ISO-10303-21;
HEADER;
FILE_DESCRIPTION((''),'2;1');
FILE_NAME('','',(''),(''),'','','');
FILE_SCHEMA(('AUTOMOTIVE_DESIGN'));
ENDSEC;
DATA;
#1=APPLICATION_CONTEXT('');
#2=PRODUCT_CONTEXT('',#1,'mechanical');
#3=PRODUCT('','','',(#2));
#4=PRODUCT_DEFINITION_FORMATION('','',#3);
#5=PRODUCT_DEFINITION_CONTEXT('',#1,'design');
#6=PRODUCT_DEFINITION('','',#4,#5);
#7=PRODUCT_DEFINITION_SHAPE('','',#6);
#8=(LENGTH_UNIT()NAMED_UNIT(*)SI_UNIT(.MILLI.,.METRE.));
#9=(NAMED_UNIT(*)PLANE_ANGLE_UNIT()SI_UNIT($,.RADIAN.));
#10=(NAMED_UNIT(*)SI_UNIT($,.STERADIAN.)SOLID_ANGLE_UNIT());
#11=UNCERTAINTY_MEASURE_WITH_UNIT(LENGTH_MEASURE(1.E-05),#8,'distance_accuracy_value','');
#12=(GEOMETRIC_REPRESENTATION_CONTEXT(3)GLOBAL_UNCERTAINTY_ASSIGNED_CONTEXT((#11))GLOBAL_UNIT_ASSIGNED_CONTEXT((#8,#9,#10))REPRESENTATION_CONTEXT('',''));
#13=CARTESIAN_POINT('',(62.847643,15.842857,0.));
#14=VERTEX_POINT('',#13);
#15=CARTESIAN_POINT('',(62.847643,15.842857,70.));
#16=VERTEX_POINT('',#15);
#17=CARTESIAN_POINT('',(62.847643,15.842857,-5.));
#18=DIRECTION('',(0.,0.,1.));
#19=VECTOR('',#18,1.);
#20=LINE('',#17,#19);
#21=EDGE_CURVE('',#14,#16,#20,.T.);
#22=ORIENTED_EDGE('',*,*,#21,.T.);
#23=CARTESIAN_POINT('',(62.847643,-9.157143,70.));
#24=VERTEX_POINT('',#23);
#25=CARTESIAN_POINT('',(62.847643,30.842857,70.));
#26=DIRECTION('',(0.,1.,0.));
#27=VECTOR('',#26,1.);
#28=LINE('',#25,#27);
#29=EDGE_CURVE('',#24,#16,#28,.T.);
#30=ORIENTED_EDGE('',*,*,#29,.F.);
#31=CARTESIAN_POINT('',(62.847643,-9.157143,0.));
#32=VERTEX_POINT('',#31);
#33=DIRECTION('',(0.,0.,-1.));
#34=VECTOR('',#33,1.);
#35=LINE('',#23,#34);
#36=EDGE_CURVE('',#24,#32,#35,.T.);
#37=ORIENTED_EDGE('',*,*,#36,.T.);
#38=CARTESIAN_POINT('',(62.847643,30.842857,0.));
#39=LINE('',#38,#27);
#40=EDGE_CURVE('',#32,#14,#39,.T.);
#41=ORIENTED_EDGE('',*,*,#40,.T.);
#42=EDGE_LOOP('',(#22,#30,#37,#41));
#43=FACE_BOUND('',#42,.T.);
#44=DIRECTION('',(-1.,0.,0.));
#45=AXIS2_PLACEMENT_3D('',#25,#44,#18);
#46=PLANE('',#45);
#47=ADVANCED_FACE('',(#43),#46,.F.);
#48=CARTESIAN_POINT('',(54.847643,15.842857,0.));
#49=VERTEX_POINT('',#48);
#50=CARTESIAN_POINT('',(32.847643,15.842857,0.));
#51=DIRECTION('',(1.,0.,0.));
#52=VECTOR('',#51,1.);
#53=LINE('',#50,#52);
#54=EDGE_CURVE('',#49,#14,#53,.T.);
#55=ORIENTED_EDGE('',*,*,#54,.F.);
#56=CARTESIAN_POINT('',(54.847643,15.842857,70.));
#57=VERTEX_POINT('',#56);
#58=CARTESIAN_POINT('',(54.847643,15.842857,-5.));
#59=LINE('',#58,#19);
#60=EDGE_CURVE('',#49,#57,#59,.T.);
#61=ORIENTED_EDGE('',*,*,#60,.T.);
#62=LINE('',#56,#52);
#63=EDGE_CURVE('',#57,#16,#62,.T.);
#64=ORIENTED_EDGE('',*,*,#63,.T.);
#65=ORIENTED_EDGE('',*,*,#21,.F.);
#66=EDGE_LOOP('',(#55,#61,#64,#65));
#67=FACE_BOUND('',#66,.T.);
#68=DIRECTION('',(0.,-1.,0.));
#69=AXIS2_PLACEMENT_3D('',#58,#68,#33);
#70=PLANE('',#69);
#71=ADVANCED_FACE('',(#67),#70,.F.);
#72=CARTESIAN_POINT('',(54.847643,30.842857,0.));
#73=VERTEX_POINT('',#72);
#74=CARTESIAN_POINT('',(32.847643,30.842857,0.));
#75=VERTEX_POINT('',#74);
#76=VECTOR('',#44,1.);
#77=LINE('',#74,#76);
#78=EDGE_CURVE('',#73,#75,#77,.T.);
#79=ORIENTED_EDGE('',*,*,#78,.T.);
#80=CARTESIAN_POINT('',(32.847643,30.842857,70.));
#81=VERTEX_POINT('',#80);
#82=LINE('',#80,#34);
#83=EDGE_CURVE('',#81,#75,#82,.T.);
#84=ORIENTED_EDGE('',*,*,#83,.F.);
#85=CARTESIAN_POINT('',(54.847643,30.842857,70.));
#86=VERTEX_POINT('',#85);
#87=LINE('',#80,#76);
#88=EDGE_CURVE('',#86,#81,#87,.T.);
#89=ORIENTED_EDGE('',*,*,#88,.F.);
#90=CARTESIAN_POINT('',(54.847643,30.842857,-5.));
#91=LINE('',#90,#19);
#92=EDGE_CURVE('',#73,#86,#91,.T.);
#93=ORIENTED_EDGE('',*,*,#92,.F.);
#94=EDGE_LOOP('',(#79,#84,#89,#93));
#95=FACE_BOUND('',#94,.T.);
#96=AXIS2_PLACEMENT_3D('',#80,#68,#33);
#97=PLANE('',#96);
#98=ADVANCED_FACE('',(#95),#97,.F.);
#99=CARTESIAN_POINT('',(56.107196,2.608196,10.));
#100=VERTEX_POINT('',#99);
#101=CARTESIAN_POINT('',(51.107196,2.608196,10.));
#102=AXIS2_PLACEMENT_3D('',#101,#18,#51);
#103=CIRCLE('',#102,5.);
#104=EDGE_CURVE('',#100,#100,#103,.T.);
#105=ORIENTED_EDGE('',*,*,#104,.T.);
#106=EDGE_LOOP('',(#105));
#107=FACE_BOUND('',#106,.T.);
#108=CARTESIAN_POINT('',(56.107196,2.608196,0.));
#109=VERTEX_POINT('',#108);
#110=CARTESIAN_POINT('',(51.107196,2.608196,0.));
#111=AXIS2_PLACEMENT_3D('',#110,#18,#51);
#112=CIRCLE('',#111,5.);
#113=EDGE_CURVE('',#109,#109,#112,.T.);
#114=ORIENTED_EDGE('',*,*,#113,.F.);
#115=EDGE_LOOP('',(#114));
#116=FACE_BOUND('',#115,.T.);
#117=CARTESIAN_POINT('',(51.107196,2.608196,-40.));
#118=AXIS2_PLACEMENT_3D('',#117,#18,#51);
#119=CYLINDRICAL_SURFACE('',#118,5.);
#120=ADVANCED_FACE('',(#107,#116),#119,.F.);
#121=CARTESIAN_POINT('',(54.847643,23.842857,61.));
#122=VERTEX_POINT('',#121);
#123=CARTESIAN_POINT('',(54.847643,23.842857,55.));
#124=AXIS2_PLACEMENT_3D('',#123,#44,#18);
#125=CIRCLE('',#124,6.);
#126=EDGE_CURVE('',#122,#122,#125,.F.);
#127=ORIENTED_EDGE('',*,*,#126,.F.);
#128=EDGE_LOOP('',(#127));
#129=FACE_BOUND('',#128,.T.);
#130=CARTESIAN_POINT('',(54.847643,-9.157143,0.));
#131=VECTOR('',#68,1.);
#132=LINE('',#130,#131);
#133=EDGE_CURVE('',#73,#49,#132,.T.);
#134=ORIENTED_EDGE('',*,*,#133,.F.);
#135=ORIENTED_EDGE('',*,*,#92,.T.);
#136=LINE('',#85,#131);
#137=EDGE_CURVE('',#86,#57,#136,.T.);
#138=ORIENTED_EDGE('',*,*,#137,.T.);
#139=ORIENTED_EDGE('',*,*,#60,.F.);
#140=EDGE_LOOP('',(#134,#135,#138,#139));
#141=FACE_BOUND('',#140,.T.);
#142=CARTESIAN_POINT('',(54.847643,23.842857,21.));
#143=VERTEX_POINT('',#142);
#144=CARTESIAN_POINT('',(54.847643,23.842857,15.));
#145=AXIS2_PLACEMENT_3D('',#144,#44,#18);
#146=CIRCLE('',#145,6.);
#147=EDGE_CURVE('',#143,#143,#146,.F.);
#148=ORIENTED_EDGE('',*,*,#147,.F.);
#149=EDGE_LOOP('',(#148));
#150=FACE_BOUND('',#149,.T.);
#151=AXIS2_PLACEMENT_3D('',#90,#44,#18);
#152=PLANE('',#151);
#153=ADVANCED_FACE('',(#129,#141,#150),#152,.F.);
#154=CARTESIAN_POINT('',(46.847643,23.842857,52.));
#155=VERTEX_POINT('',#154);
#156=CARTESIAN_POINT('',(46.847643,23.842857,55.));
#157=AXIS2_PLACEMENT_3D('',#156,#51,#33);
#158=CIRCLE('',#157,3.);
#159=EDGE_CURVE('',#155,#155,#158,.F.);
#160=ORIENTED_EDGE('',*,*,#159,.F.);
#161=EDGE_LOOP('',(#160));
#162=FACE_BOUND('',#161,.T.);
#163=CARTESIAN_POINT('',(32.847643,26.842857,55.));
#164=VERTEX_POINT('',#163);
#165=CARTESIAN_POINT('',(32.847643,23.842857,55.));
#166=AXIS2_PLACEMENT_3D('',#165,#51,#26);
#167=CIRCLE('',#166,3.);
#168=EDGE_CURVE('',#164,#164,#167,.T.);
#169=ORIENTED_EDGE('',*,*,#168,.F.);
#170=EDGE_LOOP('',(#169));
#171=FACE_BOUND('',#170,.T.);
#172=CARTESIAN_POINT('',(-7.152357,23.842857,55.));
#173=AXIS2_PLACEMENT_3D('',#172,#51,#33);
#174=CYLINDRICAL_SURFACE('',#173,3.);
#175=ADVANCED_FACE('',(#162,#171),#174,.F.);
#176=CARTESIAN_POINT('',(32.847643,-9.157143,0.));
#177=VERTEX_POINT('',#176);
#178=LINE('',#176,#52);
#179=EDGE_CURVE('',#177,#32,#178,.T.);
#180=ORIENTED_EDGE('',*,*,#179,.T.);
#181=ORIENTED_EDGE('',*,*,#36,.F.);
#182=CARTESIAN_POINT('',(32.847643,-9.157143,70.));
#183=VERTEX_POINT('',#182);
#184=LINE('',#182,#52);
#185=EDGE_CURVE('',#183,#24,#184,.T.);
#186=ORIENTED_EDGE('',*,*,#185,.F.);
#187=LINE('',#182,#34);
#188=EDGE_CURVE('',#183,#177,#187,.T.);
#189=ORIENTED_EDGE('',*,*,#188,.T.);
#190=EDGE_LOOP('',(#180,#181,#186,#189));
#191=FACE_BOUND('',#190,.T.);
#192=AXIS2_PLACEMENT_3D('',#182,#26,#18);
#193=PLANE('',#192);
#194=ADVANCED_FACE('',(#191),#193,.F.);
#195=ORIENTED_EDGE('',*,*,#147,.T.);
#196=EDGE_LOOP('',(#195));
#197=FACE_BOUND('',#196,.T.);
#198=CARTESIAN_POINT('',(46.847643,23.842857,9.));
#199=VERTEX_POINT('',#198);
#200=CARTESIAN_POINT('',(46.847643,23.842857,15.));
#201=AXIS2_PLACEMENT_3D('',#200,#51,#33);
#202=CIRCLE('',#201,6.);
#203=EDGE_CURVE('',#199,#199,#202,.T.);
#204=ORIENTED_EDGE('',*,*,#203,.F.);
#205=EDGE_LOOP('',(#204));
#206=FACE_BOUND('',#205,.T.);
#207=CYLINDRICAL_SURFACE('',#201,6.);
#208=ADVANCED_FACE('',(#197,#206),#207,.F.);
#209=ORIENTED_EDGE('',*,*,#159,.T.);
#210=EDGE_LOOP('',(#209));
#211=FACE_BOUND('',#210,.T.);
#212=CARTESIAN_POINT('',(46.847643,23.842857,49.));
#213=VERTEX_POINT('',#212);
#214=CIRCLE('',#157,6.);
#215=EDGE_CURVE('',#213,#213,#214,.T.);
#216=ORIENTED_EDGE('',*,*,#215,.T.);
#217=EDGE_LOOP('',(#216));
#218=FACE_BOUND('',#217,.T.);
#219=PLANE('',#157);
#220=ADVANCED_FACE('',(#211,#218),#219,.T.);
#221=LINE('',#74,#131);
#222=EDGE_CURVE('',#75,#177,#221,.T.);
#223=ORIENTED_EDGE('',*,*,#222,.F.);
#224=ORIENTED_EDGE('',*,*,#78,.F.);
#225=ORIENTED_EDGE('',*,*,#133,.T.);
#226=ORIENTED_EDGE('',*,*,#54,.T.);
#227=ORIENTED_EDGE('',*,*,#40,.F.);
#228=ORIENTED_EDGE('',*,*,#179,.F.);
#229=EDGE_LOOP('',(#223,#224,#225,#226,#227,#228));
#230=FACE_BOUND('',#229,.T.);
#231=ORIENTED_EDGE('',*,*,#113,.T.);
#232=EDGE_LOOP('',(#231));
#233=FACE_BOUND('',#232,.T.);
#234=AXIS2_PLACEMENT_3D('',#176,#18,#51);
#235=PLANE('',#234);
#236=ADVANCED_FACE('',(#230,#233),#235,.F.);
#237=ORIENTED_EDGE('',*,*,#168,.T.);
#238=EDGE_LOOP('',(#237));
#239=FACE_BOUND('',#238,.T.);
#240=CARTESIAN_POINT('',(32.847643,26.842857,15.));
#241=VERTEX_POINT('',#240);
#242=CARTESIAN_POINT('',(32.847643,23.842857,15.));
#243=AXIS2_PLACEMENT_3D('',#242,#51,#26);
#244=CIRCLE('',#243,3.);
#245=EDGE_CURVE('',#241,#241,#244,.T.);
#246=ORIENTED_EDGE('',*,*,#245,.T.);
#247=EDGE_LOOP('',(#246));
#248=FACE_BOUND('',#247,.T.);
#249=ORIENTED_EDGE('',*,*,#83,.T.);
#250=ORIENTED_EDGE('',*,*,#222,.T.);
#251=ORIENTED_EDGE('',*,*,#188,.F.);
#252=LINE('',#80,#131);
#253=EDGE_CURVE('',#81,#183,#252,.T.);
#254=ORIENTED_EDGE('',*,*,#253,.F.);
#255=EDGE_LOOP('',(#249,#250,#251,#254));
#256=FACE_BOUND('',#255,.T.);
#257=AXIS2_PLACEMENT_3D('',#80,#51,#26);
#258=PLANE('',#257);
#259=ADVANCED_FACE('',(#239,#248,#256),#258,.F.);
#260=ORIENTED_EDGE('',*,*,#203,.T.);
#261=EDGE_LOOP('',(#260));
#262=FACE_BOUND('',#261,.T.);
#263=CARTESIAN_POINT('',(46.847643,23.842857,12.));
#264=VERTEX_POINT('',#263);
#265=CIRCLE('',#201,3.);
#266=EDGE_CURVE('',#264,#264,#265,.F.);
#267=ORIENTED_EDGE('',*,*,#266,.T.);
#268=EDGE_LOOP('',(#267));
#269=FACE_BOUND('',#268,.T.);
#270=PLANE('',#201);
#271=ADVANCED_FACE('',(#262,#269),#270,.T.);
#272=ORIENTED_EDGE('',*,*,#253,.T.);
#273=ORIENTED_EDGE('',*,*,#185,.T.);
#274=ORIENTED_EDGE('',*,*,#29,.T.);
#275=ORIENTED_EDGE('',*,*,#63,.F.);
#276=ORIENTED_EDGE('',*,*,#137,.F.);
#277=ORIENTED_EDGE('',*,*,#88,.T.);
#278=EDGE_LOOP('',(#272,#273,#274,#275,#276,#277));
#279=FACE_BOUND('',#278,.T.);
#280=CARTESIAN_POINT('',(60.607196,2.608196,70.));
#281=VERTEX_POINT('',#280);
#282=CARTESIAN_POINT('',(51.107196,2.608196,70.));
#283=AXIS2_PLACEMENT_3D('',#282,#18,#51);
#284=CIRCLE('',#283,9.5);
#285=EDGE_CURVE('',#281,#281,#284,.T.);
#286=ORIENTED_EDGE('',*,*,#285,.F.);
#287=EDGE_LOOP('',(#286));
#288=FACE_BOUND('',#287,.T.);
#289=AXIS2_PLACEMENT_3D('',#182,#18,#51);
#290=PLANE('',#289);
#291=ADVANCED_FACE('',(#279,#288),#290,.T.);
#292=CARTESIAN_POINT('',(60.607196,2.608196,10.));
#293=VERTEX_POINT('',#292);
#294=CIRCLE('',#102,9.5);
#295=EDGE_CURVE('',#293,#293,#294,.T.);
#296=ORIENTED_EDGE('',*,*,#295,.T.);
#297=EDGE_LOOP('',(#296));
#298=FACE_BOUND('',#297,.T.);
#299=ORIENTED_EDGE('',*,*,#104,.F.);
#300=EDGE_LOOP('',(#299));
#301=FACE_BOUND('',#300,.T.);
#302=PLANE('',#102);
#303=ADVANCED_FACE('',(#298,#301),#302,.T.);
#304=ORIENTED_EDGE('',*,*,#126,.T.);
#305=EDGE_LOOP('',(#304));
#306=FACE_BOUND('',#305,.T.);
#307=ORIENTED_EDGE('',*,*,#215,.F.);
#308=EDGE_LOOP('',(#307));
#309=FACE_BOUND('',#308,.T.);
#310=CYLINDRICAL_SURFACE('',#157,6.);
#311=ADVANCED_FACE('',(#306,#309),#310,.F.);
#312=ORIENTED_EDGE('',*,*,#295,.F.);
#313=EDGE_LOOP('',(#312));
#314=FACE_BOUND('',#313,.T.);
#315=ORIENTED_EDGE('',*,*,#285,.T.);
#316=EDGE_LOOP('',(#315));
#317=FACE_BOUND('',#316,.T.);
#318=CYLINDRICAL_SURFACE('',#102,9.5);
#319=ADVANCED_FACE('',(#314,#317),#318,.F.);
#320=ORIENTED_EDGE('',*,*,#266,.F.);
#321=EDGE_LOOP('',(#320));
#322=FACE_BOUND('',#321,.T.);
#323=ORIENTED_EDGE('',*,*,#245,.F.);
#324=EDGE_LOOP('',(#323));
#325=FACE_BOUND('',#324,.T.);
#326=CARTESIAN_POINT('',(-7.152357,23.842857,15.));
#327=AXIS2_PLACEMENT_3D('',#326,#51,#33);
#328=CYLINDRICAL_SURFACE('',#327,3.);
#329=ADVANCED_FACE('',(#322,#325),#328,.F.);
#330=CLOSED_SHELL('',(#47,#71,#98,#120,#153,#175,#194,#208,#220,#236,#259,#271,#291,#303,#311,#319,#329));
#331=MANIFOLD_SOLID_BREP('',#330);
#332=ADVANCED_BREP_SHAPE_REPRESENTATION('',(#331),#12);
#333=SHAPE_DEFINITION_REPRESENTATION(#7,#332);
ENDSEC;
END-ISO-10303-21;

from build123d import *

# Parameters (mm, degrees)
SKETCH_1_W          = 30
SKETCH_1_H          = 40
EXTRUDE_1_DEPTH     = 70
SKETCH_3_R          = 3
CUT_EXTRUDE_1_DEPTH = 70
SKETCH_4_R          = 6
CUT_EXTRUDE_2_DEPTH = 16
SKETCH_5_W          = 8
SKETCH_5_H          = 15
CUT_EXTRUDE_3_DEPTH = 75
SKETCH_2_R          = 9.5
CUT_EXTRUDE_4_DEPTH = 60
SKETCH_6_R          = 5
CUT_EXTRUDE_5_DEPTH = 50


with BuildPart() as part:
    # 草图1 → 凸台-拉伸1 (new body)
    with BuildSketch(Plane.XY):
        with Locations((47.847642857, 10.842857143)):
            Rectangle(SKETCH_1_W, SKETCH_1_H)
    extrude(amount=EXTRUDE_1_DEPTH)

    # 草图3 → 切除-拉伸1 (cut)
    with BuildSketch(Plane(origin=(62.847642857, 0, 0), x_dir=(0, 0, -1), z_dir=(1, 0, 0))):
        with Locations((-55, 23.842857143)):
            Circle(SKETCH_3_R)
        with Locations((-15, 23.842857143)):
            Circle(SKETCH_3_R)
    extrude(amount=-CUT_EXTRUDE_1_DEPTH, mode=Mode.SUBTRACT)

    # 草图4 → 切除-拉伸2 (cut)
    with BuildSketch(Plane(origin=(62.847642857, 0, 0), x_dir=(0, 0, -1), z_dir=(1, 0, 0))):
        with Locations((-55, 23.842857143)):
            Circle(SKETCH_4_R)
        with Locations((-15, 23.842857143)):
            Circle(SKETCH_4_R)
    extrude(amount=-CUT_EXTRUDE_2_DEPTH, mode=Mode.SUBTRACT)

    # 草图5 → 切除-拉伸3 (cut)
    with BuildSketch(Plane.XY.offset(70)):
        with Locations((58.847642857, 23.342857143)):
            Rectangle(SKETCH_5_W, SKETCH_5_H)
    extrude(amount=-CUT_EXTRUDE_3_DEPTH, mode=Mode.SUBTRACT)

    # 草图2 → 切除-拉伸4 (cut)
    with BuildSketch(Plane.XY.offset(70)):
        with Locations((51.107196317, 2.608195772)):
            Circle(SKETCH_2_R)
    extrude(amount=-CUT_EXTRUDE_4_DEPTH, mode=Mode.SUBTRACT)

    # 草图6 → 切除-拉伸5 (cut)
    with BuildSketch(Plane.XY.offset(10)):
        with Locations((51.107196317, 2.608195772)):
            Circle(SKETCH_6_R)
    extrude(amount=-CUT_EXTRUDE_5_DEPTH, mode=Mode.SUBTRACT)


solid = part.part
